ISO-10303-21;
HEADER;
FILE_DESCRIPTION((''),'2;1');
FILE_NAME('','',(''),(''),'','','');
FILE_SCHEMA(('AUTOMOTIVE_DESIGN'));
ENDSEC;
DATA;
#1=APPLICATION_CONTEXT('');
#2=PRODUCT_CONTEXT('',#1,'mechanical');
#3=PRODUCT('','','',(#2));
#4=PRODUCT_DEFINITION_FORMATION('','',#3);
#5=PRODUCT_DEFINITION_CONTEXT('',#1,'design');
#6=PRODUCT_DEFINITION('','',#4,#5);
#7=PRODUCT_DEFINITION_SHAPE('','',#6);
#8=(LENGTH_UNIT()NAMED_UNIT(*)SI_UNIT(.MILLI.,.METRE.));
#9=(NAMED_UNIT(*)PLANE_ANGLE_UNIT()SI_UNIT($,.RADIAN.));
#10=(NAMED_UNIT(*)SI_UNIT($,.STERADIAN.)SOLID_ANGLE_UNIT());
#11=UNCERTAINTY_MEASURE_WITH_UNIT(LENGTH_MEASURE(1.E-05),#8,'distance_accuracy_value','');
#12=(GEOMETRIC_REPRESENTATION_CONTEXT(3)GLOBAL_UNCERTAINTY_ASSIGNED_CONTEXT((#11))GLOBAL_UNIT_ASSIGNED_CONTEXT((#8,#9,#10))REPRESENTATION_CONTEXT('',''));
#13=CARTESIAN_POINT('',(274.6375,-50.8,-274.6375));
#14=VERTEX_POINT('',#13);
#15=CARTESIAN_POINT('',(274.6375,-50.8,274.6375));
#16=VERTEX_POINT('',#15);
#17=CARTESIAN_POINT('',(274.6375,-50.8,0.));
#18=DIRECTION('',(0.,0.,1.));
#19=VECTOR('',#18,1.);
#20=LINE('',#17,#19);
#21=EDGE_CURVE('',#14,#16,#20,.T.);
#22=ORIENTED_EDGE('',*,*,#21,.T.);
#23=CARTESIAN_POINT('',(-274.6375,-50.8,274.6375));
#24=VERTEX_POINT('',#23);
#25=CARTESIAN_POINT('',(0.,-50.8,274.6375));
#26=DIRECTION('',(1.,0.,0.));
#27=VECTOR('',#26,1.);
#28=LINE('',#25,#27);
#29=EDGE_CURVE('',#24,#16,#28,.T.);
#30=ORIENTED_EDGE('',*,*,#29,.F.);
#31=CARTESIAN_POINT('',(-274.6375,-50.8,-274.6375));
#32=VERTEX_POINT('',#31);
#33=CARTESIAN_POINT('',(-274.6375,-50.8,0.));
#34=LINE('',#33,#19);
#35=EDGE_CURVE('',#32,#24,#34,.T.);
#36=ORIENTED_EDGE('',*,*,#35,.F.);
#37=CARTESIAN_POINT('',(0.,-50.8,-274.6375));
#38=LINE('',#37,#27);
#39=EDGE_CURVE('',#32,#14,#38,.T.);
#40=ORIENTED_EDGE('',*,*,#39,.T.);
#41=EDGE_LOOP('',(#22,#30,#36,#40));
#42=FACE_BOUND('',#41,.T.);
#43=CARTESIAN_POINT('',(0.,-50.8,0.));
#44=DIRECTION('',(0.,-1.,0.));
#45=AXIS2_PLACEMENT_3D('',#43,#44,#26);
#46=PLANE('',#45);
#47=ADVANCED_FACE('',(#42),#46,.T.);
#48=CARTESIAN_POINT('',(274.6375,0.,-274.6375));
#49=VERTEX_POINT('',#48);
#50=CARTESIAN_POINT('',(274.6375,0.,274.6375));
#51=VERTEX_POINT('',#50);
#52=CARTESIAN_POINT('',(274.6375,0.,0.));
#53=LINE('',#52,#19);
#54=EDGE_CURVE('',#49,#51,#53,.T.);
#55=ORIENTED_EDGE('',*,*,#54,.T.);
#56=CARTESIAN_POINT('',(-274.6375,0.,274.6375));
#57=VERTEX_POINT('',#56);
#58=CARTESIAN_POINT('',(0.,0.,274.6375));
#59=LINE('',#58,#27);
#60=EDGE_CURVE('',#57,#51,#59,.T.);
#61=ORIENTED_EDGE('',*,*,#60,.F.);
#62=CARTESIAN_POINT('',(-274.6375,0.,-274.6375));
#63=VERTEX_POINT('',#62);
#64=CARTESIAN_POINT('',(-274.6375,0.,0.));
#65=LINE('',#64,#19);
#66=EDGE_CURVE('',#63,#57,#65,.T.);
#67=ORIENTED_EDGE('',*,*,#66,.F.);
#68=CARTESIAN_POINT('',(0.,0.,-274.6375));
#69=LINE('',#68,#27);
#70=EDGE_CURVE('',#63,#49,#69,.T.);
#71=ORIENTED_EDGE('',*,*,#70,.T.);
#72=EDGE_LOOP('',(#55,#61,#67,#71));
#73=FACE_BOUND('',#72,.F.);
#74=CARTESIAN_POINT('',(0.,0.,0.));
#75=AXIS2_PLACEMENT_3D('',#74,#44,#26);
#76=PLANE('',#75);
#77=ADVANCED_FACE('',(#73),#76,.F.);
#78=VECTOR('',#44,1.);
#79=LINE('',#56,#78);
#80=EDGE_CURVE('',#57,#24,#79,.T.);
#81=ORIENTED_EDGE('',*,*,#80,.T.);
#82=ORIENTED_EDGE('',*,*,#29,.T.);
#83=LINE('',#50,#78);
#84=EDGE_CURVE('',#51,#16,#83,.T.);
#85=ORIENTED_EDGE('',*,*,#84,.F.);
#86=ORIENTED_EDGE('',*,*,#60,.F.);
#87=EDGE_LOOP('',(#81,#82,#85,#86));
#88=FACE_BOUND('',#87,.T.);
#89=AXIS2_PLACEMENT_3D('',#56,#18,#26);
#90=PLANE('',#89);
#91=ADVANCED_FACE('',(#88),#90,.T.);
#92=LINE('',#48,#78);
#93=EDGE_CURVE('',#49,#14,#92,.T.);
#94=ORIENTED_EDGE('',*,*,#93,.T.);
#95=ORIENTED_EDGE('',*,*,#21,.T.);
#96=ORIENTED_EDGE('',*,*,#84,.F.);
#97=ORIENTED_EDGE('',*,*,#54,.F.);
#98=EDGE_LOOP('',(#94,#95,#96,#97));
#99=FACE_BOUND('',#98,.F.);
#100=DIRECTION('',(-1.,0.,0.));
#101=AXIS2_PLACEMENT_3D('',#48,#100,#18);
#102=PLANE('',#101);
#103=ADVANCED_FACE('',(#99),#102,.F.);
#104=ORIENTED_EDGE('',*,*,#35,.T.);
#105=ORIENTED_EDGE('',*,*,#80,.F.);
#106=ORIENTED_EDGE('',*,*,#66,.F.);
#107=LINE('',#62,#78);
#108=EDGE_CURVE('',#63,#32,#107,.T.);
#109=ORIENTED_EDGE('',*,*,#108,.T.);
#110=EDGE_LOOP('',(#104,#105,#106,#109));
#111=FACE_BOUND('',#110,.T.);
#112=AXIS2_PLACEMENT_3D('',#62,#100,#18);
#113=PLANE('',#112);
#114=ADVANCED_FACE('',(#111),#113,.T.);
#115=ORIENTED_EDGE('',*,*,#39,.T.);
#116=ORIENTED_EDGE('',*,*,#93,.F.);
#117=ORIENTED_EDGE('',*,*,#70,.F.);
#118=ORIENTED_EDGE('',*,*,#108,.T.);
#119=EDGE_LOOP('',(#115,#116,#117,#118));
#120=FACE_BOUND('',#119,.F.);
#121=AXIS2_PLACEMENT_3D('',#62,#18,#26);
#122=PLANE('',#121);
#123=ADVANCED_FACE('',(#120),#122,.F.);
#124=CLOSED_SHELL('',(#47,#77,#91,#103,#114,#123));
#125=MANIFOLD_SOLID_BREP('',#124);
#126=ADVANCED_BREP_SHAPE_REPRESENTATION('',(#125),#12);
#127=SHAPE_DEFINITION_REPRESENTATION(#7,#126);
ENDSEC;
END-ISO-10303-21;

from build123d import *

# Parameters (mm, degrees)
F0_W     = 549.275
F0_H     = 549.275
F0_W_2   = 63.5
F0_H_2   = 63.5
F1_DEPTH = 50.8


with BuildPart() as f1:
    # F0 (on Front) → F1 (new body)
    with BuildSketch(Plane.XZ):
        Rectangle(F0_W, F0_H)
        with Locations((-241.6175, -241.6175)):
            Rectangle(F0_W_2, F0_H_2, mode=Mode.SUBTRACT)
        with Locations((241.6175, -241.6175)):
            Rectangle(F0_W_2, F0_H_2, mode=Mode.SUBTRACT)
        with Locations((-241.6175, 241.6175)):
            Rectangle(F0_W_2, F0_H_2, mode=Mode.SUBTRACT)
        with Locations((241.6175, 241.6175)):
            Rectangle(F0_W_2, F0_H_2, mode=Mode.SUBTRACT)
        with Locations((241.6175, 241.6175)):
            Rectangle(F0_W_2, F0_H_2)
        with Locations((-241.6175, 241.6175)):
            Rectangle(F0_W_2, F0_H_2)
        with Locations((-241.6175, -241.6175)):
            Rectangle(F0_W_2, F0_H_2)
        with Locations((241.6175, -241.6175)):
            Rectangle(F0_W_2, F0_H_2)
    extrude(amount=F1_DEPTH)


solid = f1.part
